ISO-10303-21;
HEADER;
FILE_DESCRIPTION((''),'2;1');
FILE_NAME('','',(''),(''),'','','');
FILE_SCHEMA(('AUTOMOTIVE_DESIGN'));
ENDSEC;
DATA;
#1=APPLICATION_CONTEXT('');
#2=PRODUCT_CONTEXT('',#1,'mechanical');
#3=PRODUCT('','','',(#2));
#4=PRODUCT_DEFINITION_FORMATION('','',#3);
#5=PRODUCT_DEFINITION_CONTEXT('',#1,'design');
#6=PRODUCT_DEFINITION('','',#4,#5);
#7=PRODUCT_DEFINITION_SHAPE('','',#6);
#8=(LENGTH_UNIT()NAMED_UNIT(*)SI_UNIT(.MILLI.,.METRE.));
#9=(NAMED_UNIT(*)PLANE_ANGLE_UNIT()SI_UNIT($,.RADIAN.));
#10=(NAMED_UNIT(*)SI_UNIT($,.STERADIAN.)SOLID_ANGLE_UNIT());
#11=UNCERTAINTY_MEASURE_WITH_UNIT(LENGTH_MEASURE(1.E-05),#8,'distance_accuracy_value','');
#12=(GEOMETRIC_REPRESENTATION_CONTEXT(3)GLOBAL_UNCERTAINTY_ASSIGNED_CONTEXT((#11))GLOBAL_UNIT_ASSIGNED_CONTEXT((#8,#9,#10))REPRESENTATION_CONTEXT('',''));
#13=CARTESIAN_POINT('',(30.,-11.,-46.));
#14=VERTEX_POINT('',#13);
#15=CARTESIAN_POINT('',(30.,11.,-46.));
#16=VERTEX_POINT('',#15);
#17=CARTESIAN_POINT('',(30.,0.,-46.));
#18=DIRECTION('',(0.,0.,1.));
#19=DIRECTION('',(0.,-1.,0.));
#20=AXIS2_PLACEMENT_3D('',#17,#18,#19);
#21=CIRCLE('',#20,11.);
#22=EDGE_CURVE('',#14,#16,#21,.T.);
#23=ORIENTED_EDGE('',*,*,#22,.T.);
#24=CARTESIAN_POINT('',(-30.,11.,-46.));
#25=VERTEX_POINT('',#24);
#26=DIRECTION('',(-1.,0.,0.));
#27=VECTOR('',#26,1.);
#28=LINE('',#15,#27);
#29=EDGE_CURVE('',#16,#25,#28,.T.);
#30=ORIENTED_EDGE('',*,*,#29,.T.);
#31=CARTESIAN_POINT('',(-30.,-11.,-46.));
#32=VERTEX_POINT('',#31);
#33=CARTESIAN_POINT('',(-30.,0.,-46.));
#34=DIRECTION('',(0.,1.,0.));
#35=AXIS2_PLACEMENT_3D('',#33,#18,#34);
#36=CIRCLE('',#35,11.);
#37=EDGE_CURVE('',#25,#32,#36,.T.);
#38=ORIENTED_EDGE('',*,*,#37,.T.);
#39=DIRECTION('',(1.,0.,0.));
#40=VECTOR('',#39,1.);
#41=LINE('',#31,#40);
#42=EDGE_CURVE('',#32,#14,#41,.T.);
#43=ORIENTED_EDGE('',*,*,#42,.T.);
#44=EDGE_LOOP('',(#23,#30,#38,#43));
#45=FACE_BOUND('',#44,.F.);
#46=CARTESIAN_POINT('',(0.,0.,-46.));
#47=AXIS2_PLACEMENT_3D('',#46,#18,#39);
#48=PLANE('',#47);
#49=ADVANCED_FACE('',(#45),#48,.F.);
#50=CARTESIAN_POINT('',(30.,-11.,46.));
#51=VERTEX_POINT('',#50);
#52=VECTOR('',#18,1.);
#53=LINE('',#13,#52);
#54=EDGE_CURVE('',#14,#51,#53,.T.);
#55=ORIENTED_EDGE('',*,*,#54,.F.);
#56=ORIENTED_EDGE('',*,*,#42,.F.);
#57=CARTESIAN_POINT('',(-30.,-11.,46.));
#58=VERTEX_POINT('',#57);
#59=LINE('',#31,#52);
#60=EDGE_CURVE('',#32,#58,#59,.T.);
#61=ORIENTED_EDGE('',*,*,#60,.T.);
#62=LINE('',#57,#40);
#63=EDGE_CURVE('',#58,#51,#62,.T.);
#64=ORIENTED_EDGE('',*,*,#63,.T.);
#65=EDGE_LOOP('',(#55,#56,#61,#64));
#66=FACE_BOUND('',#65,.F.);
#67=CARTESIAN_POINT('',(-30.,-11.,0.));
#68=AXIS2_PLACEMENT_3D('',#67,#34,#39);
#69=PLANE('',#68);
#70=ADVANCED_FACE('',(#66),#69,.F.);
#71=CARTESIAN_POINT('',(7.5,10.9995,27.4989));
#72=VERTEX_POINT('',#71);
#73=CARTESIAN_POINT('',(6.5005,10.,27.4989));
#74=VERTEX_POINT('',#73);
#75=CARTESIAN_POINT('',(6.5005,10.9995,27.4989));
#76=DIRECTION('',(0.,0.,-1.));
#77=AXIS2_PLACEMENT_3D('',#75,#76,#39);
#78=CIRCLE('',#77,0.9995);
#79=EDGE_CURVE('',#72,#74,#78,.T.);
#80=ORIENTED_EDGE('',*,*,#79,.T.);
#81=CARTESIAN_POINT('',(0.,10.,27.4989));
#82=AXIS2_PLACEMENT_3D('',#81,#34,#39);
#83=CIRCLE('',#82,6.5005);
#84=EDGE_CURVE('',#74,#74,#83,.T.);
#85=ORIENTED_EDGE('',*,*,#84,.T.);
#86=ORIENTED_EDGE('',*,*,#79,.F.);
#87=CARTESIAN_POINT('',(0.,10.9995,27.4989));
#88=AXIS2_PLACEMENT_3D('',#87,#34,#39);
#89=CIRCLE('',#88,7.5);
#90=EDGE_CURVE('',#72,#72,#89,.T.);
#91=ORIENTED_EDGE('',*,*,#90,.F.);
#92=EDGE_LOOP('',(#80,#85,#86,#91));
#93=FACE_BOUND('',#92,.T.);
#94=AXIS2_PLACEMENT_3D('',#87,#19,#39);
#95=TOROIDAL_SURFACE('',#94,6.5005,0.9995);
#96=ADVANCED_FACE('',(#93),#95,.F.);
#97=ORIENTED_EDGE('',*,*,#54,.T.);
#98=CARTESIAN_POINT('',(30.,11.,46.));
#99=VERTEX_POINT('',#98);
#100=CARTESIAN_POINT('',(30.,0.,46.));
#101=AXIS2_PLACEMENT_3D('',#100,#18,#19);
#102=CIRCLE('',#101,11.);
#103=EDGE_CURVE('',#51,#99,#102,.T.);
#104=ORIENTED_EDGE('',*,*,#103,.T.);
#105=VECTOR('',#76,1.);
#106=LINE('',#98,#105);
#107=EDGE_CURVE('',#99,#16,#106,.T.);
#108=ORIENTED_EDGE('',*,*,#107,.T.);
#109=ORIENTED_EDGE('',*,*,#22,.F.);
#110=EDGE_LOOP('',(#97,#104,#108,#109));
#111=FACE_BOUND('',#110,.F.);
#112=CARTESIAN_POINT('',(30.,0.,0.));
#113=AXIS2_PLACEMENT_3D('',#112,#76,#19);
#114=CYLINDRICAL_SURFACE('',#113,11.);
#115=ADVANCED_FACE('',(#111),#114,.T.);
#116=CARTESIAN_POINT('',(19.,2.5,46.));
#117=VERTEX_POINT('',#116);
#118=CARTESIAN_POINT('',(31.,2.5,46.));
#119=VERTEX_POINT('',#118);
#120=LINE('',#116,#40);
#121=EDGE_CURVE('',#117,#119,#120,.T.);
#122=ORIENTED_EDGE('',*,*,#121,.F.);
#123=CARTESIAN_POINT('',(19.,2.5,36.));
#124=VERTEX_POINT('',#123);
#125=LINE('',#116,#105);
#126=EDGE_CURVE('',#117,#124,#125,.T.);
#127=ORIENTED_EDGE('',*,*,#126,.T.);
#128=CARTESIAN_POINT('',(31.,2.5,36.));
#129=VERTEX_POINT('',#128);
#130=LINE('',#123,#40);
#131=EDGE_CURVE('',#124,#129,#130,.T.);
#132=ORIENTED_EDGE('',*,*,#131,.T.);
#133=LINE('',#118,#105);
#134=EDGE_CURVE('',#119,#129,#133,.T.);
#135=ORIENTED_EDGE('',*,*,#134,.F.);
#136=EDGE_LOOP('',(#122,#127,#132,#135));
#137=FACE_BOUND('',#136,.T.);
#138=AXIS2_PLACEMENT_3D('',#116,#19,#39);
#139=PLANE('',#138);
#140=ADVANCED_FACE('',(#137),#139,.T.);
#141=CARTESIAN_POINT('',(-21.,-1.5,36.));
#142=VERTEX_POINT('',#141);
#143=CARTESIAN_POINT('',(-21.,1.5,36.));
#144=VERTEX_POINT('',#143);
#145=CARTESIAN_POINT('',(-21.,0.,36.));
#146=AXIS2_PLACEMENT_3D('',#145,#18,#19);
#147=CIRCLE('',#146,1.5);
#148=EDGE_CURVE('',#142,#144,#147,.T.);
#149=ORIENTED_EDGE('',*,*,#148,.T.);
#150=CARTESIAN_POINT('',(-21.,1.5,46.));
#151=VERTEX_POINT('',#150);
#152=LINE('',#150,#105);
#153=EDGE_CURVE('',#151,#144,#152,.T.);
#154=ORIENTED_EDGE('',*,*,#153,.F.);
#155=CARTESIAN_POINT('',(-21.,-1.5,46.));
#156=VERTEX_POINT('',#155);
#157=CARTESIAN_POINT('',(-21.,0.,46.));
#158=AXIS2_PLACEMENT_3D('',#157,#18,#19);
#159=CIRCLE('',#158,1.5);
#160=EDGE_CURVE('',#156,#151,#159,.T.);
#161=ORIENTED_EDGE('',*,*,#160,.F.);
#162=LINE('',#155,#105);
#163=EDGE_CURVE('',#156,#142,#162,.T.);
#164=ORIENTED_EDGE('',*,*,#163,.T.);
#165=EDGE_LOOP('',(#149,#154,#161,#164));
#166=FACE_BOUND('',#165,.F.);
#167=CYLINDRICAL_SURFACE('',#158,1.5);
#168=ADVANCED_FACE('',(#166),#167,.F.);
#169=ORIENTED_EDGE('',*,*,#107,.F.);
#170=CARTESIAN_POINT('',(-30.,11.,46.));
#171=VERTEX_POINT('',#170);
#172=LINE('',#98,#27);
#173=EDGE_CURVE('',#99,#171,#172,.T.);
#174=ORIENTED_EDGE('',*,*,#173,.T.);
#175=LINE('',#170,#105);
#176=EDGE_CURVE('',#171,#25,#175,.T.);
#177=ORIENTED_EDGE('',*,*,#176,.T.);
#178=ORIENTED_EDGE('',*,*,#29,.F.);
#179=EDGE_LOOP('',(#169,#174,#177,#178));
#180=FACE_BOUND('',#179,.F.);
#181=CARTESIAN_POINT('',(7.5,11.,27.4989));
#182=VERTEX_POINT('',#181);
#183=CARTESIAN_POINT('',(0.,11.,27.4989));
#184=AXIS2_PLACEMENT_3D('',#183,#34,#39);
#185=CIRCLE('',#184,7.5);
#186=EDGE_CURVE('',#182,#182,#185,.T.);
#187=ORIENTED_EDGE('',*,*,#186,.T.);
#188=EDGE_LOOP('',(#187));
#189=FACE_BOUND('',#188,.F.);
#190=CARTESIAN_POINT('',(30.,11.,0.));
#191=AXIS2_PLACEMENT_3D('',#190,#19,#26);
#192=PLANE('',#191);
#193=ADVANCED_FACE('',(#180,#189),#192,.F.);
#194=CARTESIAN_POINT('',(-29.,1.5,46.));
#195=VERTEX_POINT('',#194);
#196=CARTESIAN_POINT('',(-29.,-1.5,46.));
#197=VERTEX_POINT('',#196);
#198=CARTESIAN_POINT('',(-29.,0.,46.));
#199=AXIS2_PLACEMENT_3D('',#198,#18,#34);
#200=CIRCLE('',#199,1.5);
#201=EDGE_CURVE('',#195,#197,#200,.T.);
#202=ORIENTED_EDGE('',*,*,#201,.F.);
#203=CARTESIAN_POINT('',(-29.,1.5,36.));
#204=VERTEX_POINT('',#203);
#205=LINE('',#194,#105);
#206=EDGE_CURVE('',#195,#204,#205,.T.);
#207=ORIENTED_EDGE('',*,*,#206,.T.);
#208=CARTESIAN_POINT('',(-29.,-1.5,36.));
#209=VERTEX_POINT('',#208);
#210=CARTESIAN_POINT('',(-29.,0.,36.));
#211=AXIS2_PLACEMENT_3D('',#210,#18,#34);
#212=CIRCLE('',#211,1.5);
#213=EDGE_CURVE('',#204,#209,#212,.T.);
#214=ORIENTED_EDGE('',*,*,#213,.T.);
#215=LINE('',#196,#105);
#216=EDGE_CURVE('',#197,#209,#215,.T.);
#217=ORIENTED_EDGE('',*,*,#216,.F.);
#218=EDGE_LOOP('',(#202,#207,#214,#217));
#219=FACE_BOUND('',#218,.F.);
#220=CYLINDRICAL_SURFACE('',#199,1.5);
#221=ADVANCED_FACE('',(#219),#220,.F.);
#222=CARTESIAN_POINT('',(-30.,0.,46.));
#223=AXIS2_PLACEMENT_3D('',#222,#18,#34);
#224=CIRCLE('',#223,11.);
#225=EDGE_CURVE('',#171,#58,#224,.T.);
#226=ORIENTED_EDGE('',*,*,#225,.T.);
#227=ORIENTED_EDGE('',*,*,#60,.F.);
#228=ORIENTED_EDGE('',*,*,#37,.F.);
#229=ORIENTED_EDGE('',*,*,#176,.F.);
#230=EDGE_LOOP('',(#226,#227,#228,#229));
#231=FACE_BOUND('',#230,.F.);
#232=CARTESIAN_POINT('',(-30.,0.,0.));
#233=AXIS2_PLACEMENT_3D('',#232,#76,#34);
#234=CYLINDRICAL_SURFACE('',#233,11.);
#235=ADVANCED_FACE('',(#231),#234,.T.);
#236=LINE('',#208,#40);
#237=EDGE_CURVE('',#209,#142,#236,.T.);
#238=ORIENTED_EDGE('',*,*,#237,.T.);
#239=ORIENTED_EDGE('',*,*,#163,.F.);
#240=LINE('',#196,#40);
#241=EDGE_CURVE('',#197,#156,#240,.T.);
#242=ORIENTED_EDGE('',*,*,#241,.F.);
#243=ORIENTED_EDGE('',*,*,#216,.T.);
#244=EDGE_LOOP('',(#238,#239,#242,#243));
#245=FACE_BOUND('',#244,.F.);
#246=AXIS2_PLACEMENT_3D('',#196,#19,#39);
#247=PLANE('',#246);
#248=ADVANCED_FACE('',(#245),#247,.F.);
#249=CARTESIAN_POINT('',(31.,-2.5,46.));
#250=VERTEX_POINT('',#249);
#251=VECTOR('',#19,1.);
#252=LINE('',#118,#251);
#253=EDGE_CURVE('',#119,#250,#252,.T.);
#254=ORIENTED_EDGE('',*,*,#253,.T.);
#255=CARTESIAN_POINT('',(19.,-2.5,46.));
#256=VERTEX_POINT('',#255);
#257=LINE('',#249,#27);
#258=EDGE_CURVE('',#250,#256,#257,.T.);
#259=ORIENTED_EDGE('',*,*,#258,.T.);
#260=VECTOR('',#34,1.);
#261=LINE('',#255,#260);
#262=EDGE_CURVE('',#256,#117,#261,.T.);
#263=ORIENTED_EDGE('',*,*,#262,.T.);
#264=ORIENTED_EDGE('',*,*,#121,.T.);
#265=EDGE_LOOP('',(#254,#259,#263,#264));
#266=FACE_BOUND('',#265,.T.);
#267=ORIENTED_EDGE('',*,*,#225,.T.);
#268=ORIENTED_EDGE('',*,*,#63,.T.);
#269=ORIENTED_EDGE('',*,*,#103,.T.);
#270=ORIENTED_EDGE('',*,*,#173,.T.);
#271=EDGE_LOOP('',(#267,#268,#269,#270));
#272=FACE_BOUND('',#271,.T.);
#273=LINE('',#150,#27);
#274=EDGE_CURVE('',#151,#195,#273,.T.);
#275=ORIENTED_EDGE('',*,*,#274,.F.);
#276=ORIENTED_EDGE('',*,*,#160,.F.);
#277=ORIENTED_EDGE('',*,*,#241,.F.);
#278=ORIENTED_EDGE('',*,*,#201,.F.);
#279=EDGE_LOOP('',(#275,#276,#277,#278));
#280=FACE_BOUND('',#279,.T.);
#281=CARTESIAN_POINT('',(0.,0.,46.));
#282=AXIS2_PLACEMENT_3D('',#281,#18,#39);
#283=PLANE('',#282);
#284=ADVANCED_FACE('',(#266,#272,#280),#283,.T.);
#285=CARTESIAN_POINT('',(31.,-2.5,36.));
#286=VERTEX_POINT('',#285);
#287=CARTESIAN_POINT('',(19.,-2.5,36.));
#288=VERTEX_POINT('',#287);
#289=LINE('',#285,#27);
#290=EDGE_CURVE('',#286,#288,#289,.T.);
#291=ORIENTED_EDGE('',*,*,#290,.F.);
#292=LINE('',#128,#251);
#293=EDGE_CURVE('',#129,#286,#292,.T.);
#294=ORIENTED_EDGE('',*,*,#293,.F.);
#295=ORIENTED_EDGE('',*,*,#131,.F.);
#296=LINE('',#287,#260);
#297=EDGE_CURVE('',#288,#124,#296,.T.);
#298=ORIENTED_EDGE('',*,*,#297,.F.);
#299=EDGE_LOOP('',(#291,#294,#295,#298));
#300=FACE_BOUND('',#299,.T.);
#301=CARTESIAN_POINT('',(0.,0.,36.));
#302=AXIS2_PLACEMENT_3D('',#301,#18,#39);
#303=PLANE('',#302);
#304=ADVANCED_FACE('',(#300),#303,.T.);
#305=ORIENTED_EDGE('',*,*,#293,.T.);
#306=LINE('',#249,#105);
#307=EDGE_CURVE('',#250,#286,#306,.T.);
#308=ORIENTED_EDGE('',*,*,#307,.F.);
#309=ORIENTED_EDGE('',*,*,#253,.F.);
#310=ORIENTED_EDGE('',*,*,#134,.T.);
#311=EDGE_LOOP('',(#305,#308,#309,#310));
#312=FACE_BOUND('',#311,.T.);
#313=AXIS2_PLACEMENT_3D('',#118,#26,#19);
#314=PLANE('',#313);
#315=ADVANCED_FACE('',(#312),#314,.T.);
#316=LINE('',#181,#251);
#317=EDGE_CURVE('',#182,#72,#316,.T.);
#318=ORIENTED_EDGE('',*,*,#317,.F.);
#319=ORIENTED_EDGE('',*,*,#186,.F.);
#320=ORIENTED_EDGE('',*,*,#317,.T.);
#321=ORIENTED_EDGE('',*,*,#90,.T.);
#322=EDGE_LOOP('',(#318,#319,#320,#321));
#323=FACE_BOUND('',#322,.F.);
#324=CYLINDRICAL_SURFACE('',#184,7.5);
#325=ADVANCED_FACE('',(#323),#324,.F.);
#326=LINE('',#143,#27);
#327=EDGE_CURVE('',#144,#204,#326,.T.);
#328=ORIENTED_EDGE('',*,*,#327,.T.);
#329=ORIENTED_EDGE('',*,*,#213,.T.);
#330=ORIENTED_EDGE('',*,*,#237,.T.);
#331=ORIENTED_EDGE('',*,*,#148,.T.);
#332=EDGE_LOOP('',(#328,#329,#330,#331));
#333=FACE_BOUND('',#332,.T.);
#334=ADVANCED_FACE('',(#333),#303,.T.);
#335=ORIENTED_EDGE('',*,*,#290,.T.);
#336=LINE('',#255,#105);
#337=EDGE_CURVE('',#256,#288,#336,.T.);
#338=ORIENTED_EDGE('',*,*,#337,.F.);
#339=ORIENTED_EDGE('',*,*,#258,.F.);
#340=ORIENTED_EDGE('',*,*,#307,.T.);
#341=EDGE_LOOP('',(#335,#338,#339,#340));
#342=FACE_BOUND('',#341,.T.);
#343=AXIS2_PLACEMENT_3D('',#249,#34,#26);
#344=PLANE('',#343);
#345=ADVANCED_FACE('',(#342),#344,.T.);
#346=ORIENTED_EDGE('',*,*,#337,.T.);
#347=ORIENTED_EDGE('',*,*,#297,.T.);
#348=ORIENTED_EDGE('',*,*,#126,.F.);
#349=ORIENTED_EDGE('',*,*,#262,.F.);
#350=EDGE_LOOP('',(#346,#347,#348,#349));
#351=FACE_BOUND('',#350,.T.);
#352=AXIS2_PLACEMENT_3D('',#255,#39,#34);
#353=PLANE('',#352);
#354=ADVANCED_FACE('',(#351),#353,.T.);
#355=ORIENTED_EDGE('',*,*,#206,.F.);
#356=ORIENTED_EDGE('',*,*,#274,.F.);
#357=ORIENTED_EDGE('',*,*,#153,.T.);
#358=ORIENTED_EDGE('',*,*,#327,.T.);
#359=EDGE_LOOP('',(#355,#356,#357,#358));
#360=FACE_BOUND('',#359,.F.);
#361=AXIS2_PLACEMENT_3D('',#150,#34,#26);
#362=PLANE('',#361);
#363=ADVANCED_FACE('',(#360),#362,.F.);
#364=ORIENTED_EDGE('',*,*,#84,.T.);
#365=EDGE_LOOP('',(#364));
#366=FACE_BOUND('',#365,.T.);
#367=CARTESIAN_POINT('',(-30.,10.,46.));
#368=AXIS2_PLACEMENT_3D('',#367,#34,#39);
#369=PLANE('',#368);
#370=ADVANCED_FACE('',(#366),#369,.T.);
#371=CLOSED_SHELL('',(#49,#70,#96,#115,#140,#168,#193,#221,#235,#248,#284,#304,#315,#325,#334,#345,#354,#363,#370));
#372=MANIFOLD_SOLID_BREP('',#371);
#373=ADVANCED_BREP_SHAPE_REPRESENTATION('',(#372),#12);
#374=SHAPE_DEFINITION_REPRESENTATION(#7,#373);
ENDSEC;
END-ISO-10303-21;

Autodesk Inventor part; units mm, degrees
ref_plane "YZ Plane" through (0, 0, 0) normal (1, 0, 0) x (0, 1, 0)
ref_plane "XZ Plane" through (0, 0, 0) normal (0, 1, 0) x (-1, 0, 0)
ref_plane "XY Plane" through (0, 0, 0) normal (0, 0, 1) x (1, 0, 0)
sketch "Sketch1" plane through (0, 0, 0) normal (0, 0, 1) x (1, 0, 0)
  line L0 (-30, 0) -> (30, 0) construction
  line L1 (-30, -11) -> (30, -11)
  line L2 (30, 11) -> (-30, 11)
  arc A0 (-30, 11) -> (-30, -11) centre (-30, 0) ccw
  arc A1 (30, -11) -> (30, 11) centre (30, 0) ccw
  point P0 (0, 0)
  point P1 (0, 0)
  dimension "d0" = 22
  dimension "d1" = 60
extrude "Extrusion1" add sketch "Sketch1" along normal mid plane 92
sketch "Sketch2" plane through (0, 0, 46) normal (0, 0, 1) x (1, 0, 0)
  line L0 (19, 2.5) -> (31, 2.5)
  line L1 (31, 2.5) -> (31, -2.5)
  line L2 (31, -2.5) -> (19, -2.5)
  line L3 (19, -2.5) -> (19, 2.5)
  line L4 (19, 2.5) -> (31, -2.5) construction
  line L5 (31, 2.5) -> (19, -2.5) construction
  arc A0 (30, -11) -> (30, 11) centre (30, 0) ccw projected
  line L6 (30, 11) -> (-30, 11) projected
  arc A1 (-30, 11) -> (-30, -11) centre (-30, 0) ccw projected
  line L7 (-30, -11) -> (30, -11) projected
  line L8 (-29, 0) -> (-21, 0) construction
  line L9 (-29, -1.5) -> (-21, -1.5)
  line L10 (-21, 1.5) -> (-29, 1.5)
  arc A2 (-29, 1.5) -> (-29, -1.5) centre (-29, 0) ccw
  arc A3 (-21, -1.5) -> (-21, 1.5) centre (-21, 0) ccw
  point P0 (0, 0)
  point P1 (25, 0)
  point P2 (-25, 0)
  dimension "d4" = 5
  dimension "d5" = 12
  dimension "d6" = 25
  dimension "d13" = 3
  dimension "d14" = 8
  dimension "d15" = 25
extrude "Extrusion2" cut sketch "Sketch2" against normal blind 10 contours L0 L1 L2 L3 | A2 L10 A3 L9
sketch "Sketch3" plane through (-30, 11, 46) normal (0, 1, 0) x (1, 0, 0)
  circle A0 centre (30, 18.5011) radius 7.5
  point P0 (30, 46)
  dimension "d9" = 15
extrude "Extrusion3" cut sketch "Sketch3" against normal blind 1
fillet "Fillet1" radius 1 1 edges at (-7.5, 10, 27.4989)
properties part number "power-bank"
